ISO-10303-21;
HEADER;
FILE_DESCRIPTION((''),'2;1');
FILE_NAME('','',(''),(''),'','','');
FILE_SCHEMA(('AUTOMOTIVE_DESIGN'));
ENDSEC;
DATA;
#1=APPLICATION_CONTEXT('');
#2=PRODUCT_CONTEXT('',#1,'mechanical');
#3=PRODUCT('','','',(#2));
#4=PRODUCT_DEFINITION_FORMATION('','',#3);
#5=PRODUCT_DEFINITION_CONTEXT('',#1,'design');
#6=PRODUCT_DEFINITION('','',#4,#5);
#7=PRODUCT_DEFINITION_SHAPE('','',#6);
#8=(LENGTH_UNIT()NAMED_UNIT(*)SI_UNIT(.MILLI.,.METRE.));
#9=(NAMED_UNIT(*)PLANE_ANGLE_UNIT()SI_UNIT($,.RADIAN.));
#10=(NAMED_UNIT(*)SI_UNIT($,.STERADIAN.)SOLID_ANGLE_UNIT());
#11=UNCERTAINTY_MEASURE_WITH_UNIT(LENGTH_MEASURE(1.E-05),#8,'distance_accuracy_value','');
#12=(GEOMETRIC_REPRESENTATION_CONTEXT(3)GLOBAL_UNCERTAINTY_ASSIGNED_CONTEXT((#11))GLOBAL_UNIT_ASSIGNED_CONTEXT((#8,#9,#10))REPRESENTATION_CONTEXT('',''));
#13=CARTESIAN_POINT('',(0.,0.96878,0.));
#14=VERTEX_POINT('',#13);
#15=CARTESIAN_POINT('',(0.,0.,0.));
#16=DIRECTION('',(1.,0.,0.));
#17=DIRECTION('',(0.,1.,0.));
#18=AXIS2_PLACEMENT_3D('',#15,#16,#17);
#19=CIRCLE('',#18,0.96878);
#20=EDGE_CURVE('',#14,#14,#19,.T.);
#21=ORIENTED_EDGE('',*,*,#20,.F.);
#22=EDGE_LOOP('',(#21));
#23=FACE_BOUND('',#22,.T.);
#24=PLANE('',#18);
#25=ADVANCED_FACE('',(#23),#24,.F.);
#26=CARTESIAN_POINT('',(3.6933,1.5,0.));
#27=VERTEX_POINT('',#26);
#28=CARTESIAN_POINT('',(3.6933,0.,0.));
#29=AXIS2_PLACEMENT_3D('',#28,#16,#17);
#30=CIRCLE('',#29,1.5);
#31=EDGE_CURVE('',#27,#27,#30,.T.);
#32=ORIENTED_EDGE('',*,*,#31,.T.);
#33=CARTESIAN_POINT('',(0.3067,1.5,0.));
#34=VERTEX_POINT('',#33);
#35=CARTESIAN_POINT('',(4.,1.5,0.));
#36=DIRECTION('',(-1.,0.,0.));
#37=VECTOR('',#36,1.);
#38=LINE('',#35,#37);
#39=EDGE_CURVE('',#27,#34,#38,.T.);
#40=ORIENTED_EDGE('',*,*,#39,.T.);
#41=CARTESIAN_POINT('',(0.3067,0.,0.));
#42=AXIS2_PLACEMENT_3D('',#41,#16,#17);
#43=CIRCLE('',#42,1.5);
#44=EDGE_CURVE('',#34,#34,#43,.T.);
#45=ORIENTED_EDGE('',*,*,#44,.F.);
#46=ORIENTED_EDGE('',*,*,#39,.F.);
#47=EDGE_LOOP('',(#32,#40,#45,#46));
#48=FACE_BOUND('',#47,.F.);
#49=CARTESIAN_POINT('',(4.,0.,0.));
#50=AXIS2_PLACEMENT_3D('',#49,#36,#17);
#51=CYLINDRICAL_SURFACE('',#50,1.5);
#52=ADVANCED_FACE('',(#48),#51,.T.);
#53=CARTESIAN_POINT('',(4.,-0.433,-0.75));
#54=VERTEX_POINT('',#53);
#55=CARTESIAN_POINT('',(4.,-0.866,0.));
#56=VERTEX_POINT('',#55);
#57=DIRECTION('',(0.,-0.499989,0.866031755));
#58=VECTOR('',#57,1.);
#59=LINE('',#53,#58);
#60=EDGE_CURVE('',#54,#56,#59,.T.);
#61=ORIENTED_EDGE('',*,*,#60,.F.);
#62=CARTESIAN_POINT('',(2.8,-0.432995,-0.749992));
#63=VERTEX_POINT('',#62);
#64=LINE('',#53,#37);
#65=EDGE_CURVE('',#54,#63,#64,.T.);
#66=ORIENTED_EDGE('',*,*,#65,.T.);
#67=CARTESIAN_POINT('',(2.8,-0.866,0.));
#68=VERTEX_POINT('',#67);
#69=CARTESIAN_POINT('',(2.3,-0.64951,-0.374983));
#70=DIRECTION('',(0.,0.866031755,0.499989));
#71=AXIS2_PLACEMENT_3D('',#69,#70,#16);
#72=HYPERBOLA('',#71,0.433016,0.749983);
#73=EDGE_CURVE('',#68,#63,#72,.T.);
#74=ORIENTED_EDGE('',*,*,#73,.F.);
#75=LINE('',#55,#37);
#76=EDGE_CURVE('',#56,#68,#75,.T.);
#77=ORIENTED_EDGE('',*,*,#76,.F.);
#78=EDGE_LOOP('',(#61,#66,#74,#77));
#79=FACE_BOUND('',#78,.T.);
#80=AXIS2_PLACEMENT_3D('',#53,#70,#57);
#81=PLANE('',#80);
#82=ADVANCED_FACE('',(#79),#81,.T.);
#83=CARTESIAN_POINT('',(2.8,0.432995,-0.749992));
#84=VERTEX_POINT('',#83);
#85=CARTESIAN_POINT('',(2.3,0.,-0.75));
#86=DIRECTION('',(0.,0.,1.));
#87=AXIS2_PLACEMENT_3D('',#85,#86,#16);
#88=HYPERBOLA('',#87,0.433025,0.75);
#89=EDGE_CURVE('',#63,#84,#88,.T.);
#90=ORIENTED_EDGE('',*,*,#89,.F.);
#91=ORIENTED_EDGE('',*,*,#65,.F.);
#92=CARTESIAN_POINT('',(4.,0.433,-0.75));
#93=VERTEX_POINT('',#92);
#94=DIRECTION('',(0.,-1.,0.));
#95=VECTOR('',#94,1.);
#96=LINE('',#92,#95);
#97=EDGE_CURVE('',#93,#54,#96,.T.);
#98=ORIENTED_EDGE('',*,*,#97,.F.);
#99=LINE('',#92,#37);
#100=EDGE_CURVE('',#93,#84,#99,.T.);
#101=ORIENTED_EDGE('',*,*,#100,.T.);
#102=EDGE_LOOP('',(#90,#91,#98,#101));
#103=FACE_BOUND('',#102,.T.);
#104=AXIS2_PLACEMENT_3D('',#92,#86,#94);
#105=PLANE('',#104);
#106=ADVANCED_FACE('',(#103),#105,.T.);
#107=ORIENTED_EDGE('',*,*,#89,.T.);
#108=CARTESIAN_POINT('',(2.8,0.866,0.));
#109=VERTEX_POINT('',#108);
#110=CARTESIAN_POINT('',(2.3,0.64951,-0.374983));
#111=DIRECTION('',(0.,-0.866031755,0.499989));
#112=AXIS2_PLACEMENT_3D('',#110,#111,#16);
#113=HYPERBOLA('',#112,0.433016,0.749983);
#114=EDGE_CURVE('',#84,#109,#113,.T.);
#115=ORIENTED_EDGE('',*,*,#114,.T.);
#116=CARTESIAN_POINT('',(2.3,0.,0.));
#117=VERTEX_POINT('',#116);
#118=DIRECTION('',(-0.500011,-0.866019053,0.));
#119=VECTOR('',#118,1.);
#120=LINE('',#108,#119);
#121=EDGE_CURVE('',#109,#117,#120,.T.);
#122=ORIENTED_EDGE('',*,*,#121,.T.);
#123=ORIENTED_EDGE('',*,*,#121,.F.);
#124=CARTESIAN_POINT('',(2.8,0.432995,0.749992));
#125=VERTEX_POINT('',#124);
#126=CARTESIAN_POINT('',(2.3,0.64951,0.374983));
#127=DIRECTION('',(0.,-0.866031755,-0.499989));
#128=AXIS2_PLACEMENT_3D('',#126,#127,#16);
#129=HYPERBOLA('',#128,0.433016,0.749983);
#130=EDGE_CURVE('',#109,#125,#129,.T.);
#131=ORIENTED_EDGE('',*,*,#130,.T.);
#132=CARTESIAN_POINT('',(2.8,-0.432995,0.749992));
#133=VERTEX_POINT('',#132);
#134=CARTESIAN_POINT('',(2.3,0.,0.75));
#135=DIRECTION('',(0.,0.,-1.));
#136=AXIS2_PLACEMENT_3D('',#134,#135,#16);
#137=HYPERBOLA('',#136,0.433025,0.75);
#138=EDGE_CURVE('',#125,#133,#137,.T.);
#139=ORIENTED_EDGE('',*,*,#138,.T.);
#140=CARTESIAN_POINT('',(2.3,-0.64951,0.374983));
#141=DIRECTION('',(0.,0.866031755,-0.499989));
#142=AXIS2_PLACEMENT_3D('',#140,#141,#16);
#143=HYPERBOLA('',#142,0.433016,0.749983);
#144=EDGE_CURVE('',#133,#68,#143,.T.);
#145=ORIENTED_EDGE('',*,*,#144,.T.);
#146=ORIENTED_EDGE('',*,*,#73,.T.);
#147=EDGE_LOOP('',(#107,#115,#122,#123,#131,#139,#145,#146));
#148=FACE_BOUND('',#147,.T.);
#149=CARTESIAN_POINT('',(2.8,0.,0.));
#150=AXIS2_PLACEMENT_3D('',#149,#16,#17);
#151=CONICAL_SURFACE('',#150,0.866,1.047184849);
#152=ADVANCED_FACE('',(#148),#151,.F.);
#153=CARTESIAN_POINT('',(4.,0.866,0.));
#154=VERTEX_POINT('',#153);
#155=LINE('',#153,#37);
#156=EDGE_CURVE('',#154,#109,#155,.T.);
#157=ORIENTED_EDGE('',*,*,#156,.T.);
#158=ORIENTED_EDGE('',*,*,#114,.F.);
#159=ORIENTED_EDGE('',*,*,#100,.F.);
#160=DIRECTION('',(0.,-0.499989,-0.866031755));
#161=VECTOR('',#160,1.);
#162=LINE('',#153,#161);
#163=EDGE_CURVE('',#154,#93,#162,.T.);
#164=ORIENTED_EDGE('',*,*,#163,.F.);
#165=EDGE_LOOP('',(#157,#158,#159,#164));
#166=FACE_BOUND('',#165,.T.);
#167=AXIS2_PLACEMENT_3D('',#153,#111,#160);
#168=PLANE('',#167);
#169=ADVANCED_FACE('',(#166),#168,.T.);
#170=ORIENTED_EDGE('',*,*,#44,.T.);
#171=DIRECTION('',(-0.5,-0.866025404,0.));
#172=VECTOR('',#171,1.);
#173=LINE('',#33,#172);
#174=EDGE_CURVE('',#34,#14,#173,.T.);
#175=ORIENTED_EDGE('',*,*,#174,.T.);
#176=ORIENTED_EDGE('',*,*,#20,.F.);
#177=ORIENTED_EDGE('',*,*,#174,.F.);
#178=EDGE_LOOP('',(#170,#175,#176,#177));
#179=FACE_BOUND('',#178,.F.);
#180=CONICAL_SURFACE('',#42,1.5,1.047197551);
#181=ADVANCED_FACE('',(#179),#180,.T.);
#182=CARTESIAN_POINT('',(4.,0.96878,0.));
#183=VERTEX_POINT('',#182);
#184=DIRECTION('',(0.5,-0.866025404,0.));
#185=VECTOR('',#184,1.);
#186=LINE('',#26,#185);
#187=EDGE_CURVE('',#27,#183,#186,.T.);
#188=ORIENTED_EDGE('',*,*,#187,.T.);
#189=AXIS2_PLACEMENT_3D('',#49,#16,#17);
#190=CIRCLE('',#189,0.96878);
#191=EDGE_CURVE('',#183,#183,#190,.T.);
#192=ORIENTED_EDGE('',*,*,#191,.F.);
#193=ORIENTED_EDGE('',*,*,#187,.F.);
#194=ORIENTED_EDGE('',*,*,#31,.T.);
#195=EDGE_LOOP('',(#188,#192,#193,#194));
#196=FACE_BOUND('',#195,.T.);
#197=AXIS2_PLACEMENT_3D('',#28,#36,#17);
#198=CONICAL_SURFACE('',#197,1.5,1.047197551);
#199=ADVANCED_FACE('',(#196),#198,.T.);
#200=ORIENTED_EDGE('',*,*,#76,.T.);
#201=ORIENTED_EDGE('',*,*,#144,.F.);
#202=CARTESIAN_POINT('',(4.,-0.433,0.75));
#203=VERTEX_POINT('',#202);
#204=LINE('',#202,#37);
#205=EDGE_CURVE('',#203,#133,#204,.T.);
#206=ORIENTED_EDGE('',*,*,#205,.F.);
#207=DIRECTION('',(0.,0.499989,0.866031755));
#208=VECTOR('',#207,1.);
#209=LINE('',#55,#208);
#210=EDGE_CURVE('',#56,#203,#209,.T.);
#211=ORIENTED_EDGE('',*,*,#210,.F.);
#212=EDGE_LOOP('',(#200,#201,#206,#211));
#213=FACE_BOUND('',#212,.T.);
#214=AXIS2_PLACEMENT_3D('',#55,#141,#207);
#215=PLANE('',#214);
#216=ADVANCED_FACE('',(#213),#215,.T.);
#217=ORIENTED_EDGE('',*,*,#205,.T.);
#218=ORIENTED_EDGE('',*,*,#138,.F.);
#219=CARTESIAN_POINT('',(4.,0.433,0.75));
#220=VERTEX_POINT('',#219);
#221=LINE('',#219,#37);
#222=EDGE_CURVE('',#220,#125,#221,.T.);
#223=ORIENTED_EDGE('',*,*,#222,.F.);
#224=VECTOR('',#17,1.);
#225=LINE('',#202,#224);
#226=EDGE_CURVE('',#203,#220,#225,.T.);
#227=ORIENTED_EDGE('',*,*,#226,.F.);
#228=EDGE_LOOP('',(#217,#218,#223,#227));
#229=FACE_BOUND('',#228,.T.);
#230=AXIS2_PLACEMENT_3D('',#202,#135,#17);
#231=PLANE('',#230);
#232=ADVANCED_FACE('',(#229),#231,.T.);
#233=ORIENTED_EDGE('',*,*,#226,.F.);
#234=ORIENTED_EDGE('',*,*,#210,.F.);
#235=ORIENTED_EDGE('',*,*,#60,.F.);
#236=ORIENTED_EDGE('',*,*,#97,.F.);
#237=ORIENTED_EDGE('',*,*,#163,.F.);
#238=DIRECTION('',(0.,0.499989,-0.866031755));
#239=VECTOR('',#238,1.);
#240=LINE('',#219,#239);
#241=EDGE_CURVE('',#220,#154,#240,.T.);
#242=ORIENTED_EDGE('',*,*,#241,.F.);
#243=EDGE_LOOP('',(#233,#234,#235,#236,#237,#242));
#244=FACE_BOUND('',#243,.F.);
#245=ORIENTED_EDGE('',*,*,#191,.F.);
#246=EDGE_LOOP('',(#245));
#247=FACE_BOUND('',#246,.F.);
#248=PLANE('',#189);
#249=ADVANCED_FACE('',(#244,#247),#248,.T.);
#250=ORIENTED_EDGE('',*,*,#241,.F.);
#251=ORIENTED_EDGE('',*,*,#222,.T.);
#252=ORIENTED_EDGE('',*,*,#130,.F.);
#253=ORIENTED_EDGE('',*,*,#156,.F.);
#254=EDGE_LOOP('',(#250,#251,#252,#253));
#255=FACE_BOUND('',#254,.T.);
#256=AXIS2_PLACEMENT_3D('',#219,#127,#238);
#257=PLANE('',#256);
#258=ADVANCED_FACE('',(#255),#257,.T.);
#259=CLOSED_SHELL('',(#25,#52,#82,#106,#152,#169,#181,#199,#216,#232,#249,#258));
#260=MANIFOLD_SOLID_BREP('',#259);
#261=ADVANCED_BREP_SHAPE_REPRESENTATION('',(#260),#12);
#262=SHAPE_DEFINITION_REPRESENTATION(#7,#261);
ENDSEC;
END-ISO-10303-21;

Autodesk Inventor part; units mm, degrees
ref_plane "YZ Plane" through (0, 0, 0) normal (1, 0, 0) x (0, 1, 0)
ref_plane "XZ Plane" through (0, 0, 0) normal (0, 1, 0) x (-1, 0, 0)
sketch "Эскиз1" plane through (0, 0, 0) normal (0, 0, 1) x (1, 0, 0)
  line L0 (0, 0) -> (2.3, 0)
  line L1 (4, 0.866) -> (4, 1.5)
  line L2 (4, 1.5) -> (0, 1.5)
  line L3 (4, 0.866) -> (2.8, 0.866)
  line L4 (2.8, 0.866) -> (2.3, 0)
  line L5 (0, -0.3) -> (0, 1.8) projected
  line L6 (0, 1.5) -> (0, 0)
  dimension "d0" = 1.2
  dimension "d1" = 60
  dimension "d2" = 3
  dimension "d3" = 1.7321
  dimension "d5" = 4
revolve "Базовый элемент" add sketch "Эскиз1" angle 360 about axis through (0, 0, 0) along (1, 0, 0)
sketch "Эскиз2" plane through (4, 0, 0) normal (1, 0, 0) x (0, 1, 0)
  circle A0 centre (0, 0) radius 0.866 projected
  line L0 (-0.433, 0.75) -> (0.433, 0.75)
  line L1 (0.433, 0.75) -> (0.866, 0)
  line L2 (0.866, 0) -> (0.433, -0.75)
  line L3 (0.433, -0.75) -> (-0.433, -0.75)
  line L4 (-0.433, -0.75) -> (-0.866, 0)
  line L5 (-0.866, 0) -> (-0.433, 0.75)
  point P0 (0, 0)
  point P1 (0, 0)
extrude "Паз" add sketch "Эскиз2" against normal up to next contours L1 A0 | A0 L2 | L0 A0 | A0 L3 | L5 A0 | A0 L4
thread "Резьба" size "M3x0.5" class "6g" standard "ISO Metric profile" length 4
chamfer "Фаска1" distance 0.3067 angle 60 1 edges at (4, -1.5, 0) measured on face at (2.6667, 1.4806, -0.2406)
chamfer "Фаска2" distance 0.3067 angle 60 1 edges at (0, -1.5, 0) measured on face at (2.4622, 1.4806, -0.2406)
ref_plane "Work Plane1" through (2, 0, 0) normal (0, 0, 1) x (1, 0, 0)
equation "\"d8\" = NLG"
equation "\"d10\" = -0.5 * GD1 + 0.5 * NND"
equation "\"d11\" = FAWI"
equation "\"d34\" = -0.5 * GD1 + 0.5 * NND"
equation "\"d12\" = -0.5 * GD1 + 0.5 * NND"
equation "\"d13\" = FAWI"
equation "\"d35\" = -0.5 * GD1 + 0.5 * NND"
equation "\"d0\" = INTI"
equation "\"d2\" = NND"
equation "\"d3\" = 1.1547 * SW"
equation "\"d5\" = NLG"
equation "\"NND\" = 3"
equation "\"NLG\" = 4"
equation "\"INTI\" = 1.2"
equation "\"FAWI\" = 60deg"
equation "\"SW\" = 1.5"
equation "\"GD1\" = THREADDIA - 1.2269 * PTC"
equation "\"SPD\" = 2"
equation "\"GUL\" = 0.61345 * PTC"
equation "\"TOA\" = 30deg"
equation "\"THREADDIA\" = 3"
equation "\"PTC\" = 0.5"
equation "\"FAWI1\" = 45deg"
equation "\"GAL\" = 0.61345 * PTC"
equation "\"E0\" = 1.155 * SW"
properties part number "DIN 913 - M3 x 4" material "Сталь, мягкая"
